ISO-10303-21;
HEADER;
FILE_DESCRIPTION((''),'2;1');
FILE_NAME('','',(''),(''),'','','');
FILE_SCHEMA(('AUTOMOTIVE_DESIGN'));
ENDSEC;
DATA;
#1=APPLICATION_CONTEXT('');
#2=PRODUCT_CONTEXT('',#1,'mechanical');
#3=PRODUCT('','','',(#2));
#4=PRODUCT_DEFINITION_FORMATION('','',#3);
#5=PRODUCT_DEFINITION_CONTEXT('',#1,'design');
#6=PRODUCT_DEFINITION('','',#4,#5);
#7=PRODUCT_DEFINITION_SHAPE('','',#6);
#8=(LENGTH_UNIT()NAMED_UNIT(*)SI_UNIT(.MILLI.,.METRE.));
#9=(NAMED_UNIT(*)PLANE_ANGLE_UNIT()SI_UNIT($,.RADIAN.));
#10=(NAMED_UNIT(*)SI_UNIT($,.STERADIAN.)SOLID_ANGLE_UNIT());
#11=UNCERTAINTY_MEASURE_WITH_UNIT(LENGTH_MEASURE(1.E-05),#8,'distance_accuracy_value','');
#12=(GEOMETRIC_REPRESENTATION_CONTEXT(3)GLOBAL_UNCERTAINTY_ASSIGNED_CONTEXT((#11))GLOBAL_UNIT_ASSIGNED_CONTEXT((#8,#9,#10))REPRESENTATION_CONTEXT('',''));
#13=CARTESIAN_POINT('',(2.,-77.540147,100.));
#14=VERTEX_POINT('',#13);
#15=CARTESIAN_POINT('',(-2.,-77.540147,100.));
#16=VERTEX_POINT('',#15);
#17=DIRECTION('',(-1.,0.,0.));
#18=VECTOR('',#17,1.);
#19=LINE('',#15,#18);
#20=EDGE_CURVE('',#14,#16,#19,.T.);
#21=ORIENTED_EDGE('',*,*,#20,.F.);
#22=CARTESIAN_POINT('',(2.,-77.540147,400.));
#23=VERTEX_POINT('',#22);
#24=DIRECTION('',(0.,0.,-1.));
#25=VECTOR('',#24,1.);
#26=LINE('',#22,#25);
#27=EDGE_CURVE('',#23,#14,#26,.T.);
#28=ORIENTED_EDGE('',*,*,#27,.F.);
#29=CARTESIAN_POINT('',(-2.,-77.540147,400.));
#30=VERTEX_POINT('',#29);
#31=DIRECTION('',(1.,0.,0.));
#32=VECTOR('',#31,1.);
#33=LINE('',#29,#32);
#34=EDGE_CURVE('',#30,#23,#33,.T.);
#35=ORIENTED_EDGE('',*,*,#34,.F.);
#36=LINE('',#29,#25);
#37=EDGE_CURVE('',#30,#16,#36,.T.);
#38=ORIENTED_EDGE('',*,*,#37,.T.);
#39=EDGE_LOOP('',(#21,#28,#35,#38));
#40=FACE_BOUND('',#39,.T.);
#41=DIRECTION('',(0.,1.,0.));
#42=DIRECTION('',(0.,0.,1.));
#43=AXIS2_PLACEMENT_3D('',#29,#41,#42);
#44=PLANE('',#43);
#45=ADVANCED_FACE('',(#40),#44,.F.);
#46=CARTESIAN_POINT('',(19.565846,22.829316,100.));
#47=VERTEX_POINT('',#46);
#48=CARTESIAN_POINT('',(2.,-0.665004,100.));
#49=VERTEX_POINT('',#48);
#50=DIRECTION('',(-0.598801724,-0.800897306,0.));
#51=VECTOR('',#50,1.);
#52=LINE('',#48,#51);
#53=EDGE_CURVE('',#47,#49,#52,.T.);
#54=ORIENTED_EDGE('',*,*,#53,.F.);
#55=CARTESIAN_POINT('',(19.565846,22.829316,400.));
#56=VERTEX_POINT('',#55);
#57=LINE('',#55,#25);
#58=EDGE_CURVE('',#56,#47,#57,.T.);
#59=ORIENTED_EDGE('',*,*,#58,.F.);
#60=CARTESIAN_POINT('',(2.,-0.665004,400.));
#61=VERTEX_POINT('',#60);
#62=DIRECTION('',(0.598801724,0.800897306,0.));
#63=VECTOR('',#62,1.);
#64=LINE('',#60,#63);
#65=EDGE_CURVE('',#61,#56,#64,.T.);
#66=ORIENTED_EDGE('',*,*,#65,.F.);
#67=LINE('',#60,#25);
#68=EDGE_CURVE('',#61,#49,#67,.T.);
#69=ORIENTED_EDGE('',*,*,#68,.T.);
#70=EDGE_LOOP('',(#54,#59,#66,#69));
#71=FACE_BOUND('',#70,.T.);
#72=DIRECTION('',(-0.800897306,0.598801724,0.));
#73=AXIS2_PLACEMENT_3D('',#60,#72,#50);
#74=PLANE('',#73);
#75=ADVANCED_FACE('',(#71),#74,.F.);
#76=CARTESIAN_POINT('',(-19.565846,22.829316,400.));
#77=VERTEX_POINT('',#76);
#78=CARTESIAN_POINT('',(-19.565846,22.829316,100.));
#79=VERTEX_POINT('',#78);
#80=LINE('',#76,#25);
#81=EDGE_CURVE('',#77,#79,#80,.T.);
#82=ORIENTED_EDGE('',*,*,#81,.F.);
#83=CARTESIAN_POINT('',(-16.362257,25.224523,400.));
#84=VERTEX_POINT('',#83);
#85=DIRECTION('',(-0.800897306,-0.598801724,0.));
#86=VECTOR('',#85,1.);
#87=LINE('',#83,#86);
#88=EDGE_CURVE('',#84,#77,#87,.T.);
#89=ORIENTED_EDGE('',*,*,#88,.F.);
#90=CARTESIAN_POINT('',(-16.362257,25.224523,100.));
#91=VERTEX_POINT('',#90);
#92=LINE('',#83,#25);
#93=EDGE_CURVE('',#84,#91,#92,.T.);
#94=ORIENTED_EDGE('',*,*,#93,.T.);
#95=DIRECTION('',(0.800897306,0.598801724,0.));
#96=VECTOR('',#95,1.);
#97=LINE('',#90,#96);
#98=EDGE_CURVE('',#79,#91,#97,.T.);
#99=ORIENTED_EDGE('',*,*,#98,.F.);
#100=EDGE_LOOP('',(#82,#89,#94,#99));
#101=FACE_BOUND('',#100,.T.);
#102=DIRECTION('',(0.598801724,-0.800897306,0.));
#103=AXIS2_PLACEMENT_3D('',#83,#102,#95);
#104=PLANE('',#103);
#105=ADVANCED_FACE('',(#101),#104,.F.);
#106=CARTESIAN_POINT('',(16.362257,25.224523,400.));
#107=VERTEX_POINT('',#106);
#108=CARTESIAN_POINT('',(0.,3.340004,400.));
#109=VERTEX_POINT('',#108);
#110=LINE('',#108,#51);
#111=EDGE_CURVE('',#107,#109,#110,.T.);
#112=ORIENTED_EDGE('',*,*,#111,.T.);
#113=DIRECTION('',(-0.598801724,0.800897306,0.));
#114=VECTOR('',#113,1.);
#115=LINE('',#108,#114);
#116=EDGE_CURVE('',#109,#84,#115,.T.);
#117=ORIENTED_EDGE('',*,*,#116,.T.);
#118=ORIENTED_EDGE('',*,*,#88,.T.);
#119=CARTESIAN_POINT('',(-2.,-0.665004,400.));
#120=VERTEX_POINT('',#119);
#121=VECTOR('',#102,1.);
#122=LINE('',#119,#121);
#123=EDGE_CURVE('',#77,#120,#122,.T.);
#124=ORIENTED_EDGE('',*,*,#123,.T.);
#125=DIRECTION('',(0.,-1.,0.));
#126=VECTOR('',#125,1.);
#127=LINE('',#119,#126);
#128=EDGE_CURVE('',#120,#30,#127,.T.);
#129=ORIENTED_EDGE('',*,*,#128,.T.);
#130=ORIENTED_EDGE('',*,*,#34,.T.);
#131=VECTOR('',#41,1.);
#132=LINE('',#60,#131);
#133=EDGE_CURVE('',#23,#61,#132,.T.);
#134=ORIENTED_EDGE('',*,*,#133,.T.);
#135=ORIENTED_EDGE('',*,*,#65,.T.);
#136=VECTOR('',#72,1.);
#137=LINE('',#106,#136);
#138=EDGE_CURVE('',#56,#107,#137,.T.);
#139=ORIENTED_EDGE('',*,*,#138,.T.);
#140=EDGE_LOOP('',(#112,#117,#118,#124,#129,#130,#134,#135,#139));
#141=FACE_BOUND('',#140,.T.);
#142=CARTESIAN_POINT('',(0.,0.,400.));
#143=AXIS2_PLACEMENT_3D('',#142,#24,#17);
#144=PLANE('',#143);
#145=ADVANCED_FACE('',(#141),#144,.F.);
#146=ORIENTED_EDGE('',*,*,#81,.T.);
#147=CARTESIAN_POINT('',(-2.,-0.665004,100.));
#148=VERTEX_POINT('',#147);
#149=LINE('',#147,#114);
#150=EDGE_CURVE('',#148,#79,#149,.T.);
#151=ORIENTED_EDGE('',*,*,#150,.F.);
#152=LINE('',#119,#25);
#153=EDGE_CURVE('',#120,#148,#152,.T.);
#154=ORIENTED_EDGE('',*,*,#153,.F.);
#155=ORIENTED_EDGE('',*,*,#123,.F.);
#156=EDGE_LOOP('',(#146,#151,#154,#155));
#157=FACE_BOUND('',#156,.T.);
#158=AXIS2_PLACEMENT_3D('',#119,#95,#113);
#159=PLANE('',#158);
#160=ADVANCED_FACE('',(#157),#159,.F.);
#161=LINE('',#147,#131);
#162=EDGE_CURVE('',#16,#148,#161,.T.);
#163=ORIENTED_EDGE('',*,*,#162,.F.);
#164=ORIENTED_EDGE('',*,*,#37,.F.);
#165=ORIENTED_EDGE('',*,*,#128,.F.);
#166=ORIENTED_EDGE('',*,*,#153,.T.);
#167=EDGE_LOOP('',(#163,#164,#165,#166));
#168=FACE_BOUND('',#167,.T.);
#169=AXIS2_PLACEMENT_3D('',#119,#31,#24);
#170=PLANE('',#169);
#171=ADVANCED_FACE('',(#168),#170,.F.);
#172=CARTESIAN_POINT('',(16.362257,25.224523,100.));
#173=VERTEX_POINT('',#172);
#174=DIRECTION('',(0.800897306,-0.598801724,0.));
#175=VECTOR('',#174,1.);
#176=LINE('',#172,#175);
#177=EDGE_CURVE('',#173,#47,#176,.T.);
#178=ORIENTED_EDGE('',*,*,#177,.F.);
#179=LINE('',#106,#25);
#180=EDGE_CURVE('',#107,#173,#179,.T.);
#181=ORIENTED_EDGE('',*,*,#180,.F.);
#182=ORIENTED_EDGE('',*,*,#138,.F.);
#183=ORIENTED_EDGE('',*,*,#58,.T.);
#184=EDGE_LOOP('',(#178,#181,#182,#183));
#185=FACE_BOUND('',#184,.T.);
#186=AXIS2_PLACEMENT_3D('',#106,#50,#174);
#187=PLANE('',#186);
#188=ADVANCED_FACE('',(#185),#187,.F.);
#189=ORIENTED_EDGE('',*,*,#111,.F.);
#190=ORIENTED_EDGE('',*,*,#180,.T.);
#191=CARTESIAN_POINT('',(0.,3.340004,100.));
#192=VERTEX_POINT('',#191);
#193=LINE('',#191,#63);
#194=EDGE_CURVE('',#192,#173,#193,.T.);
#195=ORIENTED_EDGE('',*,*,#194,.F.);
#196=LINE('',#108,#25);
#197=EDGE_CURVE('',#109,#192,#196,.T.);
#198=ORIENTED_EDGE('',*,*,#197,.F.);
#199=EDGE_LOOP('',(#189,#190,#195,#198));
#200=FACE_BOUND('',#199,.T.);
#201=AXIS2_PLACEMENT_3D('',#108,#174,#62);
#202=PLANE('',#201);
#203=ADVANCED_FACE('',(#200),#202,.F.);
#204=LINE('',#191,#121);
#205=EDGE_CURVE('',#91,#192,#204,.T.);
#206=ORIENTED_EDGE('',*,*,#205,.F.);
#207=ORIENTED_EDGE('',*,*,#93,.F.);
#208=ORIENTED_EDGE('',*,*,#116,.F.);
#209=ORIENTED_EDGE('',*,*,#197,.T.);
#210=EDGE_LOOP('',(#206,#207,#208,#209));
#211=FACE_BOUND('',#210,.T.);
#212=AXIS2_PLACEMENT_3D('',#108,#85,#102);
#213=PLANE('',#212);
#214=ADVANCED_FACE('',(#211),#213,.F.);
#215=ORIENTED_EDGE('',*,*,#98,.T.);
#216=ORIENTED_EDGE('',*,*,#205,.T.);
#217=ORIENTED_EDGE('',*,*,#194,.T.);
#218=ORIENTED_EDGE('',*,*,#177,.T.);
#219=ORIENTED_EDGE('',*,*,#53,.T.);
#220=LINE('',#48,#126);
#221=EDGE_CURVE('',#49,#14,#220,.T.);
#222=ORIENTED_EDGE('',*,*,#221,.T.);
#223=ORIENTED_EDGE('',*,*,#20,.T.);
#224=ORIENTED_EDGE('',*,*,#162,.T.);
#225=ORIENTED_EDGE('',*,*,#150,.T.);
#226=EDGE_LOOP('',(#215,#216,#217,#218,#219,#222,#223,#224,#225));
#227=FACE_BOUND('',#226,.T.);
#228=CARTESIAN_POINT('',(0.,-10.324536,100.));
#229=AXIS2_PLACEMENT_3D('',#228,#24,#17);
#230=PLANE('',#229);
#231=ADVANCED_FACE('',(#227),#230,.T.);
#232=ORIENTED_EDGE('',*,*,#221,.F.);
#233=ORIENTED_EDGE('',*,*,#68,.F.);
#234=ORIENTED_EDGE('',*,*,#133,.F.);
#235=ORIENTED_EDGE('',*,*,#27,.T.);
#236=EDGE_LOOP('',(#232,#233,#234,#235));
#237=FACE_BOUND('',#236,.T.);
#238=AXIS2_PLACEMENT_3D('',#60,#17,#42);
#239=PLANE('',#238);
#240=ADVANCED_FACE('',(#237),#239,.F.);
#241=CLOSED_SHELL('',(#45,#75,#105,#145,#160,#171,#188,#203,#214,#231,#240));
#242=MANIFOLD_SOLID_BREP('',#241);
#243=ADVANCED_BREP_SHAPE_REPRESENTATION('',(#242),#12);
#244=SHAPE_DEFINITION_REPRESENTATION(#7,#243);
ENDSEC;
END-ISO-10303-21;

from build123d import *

# Parameters (mm, degrees)
EXTRUDE_1_DEPTH     = 400
SKETCH_2_R          = 93.157411664
CUT_EXTRUDE_1_DEPTH = 100


with BuildPart() as part:
    # 草图1 → 凸台-拉伸1 (new body)
    with BuildSketch(Plane.XY):
        Polygon((0, 3.340003743), (-16.362257115, 25.224522634), (-19.56584634, 22.829315737), (-2, -0.665003743), (-2, -77.540147309), (2, -77.540147309), (2, -0.665003743), (19.56584634, 22.829315737), (16.362257115, 25.224522634), align=None)
    extrude(amount=EXTRUDE_1_DEPTH)

    # 草图2 → 切除-拉伸1 (cut)
    with BuildSketch(Plane(origin=(0, 0, 0), x_dir=(-1, 0, 0), z_dir=(0, 0, -1))):
        with Locations((0, -10.324536186)):
            Circle(SKETCH_2_R)
    extrude(amount=-CUT_EXTRUDE_1_DEPTH, mode=Mode.SUBTRACT)


solid = part.part
